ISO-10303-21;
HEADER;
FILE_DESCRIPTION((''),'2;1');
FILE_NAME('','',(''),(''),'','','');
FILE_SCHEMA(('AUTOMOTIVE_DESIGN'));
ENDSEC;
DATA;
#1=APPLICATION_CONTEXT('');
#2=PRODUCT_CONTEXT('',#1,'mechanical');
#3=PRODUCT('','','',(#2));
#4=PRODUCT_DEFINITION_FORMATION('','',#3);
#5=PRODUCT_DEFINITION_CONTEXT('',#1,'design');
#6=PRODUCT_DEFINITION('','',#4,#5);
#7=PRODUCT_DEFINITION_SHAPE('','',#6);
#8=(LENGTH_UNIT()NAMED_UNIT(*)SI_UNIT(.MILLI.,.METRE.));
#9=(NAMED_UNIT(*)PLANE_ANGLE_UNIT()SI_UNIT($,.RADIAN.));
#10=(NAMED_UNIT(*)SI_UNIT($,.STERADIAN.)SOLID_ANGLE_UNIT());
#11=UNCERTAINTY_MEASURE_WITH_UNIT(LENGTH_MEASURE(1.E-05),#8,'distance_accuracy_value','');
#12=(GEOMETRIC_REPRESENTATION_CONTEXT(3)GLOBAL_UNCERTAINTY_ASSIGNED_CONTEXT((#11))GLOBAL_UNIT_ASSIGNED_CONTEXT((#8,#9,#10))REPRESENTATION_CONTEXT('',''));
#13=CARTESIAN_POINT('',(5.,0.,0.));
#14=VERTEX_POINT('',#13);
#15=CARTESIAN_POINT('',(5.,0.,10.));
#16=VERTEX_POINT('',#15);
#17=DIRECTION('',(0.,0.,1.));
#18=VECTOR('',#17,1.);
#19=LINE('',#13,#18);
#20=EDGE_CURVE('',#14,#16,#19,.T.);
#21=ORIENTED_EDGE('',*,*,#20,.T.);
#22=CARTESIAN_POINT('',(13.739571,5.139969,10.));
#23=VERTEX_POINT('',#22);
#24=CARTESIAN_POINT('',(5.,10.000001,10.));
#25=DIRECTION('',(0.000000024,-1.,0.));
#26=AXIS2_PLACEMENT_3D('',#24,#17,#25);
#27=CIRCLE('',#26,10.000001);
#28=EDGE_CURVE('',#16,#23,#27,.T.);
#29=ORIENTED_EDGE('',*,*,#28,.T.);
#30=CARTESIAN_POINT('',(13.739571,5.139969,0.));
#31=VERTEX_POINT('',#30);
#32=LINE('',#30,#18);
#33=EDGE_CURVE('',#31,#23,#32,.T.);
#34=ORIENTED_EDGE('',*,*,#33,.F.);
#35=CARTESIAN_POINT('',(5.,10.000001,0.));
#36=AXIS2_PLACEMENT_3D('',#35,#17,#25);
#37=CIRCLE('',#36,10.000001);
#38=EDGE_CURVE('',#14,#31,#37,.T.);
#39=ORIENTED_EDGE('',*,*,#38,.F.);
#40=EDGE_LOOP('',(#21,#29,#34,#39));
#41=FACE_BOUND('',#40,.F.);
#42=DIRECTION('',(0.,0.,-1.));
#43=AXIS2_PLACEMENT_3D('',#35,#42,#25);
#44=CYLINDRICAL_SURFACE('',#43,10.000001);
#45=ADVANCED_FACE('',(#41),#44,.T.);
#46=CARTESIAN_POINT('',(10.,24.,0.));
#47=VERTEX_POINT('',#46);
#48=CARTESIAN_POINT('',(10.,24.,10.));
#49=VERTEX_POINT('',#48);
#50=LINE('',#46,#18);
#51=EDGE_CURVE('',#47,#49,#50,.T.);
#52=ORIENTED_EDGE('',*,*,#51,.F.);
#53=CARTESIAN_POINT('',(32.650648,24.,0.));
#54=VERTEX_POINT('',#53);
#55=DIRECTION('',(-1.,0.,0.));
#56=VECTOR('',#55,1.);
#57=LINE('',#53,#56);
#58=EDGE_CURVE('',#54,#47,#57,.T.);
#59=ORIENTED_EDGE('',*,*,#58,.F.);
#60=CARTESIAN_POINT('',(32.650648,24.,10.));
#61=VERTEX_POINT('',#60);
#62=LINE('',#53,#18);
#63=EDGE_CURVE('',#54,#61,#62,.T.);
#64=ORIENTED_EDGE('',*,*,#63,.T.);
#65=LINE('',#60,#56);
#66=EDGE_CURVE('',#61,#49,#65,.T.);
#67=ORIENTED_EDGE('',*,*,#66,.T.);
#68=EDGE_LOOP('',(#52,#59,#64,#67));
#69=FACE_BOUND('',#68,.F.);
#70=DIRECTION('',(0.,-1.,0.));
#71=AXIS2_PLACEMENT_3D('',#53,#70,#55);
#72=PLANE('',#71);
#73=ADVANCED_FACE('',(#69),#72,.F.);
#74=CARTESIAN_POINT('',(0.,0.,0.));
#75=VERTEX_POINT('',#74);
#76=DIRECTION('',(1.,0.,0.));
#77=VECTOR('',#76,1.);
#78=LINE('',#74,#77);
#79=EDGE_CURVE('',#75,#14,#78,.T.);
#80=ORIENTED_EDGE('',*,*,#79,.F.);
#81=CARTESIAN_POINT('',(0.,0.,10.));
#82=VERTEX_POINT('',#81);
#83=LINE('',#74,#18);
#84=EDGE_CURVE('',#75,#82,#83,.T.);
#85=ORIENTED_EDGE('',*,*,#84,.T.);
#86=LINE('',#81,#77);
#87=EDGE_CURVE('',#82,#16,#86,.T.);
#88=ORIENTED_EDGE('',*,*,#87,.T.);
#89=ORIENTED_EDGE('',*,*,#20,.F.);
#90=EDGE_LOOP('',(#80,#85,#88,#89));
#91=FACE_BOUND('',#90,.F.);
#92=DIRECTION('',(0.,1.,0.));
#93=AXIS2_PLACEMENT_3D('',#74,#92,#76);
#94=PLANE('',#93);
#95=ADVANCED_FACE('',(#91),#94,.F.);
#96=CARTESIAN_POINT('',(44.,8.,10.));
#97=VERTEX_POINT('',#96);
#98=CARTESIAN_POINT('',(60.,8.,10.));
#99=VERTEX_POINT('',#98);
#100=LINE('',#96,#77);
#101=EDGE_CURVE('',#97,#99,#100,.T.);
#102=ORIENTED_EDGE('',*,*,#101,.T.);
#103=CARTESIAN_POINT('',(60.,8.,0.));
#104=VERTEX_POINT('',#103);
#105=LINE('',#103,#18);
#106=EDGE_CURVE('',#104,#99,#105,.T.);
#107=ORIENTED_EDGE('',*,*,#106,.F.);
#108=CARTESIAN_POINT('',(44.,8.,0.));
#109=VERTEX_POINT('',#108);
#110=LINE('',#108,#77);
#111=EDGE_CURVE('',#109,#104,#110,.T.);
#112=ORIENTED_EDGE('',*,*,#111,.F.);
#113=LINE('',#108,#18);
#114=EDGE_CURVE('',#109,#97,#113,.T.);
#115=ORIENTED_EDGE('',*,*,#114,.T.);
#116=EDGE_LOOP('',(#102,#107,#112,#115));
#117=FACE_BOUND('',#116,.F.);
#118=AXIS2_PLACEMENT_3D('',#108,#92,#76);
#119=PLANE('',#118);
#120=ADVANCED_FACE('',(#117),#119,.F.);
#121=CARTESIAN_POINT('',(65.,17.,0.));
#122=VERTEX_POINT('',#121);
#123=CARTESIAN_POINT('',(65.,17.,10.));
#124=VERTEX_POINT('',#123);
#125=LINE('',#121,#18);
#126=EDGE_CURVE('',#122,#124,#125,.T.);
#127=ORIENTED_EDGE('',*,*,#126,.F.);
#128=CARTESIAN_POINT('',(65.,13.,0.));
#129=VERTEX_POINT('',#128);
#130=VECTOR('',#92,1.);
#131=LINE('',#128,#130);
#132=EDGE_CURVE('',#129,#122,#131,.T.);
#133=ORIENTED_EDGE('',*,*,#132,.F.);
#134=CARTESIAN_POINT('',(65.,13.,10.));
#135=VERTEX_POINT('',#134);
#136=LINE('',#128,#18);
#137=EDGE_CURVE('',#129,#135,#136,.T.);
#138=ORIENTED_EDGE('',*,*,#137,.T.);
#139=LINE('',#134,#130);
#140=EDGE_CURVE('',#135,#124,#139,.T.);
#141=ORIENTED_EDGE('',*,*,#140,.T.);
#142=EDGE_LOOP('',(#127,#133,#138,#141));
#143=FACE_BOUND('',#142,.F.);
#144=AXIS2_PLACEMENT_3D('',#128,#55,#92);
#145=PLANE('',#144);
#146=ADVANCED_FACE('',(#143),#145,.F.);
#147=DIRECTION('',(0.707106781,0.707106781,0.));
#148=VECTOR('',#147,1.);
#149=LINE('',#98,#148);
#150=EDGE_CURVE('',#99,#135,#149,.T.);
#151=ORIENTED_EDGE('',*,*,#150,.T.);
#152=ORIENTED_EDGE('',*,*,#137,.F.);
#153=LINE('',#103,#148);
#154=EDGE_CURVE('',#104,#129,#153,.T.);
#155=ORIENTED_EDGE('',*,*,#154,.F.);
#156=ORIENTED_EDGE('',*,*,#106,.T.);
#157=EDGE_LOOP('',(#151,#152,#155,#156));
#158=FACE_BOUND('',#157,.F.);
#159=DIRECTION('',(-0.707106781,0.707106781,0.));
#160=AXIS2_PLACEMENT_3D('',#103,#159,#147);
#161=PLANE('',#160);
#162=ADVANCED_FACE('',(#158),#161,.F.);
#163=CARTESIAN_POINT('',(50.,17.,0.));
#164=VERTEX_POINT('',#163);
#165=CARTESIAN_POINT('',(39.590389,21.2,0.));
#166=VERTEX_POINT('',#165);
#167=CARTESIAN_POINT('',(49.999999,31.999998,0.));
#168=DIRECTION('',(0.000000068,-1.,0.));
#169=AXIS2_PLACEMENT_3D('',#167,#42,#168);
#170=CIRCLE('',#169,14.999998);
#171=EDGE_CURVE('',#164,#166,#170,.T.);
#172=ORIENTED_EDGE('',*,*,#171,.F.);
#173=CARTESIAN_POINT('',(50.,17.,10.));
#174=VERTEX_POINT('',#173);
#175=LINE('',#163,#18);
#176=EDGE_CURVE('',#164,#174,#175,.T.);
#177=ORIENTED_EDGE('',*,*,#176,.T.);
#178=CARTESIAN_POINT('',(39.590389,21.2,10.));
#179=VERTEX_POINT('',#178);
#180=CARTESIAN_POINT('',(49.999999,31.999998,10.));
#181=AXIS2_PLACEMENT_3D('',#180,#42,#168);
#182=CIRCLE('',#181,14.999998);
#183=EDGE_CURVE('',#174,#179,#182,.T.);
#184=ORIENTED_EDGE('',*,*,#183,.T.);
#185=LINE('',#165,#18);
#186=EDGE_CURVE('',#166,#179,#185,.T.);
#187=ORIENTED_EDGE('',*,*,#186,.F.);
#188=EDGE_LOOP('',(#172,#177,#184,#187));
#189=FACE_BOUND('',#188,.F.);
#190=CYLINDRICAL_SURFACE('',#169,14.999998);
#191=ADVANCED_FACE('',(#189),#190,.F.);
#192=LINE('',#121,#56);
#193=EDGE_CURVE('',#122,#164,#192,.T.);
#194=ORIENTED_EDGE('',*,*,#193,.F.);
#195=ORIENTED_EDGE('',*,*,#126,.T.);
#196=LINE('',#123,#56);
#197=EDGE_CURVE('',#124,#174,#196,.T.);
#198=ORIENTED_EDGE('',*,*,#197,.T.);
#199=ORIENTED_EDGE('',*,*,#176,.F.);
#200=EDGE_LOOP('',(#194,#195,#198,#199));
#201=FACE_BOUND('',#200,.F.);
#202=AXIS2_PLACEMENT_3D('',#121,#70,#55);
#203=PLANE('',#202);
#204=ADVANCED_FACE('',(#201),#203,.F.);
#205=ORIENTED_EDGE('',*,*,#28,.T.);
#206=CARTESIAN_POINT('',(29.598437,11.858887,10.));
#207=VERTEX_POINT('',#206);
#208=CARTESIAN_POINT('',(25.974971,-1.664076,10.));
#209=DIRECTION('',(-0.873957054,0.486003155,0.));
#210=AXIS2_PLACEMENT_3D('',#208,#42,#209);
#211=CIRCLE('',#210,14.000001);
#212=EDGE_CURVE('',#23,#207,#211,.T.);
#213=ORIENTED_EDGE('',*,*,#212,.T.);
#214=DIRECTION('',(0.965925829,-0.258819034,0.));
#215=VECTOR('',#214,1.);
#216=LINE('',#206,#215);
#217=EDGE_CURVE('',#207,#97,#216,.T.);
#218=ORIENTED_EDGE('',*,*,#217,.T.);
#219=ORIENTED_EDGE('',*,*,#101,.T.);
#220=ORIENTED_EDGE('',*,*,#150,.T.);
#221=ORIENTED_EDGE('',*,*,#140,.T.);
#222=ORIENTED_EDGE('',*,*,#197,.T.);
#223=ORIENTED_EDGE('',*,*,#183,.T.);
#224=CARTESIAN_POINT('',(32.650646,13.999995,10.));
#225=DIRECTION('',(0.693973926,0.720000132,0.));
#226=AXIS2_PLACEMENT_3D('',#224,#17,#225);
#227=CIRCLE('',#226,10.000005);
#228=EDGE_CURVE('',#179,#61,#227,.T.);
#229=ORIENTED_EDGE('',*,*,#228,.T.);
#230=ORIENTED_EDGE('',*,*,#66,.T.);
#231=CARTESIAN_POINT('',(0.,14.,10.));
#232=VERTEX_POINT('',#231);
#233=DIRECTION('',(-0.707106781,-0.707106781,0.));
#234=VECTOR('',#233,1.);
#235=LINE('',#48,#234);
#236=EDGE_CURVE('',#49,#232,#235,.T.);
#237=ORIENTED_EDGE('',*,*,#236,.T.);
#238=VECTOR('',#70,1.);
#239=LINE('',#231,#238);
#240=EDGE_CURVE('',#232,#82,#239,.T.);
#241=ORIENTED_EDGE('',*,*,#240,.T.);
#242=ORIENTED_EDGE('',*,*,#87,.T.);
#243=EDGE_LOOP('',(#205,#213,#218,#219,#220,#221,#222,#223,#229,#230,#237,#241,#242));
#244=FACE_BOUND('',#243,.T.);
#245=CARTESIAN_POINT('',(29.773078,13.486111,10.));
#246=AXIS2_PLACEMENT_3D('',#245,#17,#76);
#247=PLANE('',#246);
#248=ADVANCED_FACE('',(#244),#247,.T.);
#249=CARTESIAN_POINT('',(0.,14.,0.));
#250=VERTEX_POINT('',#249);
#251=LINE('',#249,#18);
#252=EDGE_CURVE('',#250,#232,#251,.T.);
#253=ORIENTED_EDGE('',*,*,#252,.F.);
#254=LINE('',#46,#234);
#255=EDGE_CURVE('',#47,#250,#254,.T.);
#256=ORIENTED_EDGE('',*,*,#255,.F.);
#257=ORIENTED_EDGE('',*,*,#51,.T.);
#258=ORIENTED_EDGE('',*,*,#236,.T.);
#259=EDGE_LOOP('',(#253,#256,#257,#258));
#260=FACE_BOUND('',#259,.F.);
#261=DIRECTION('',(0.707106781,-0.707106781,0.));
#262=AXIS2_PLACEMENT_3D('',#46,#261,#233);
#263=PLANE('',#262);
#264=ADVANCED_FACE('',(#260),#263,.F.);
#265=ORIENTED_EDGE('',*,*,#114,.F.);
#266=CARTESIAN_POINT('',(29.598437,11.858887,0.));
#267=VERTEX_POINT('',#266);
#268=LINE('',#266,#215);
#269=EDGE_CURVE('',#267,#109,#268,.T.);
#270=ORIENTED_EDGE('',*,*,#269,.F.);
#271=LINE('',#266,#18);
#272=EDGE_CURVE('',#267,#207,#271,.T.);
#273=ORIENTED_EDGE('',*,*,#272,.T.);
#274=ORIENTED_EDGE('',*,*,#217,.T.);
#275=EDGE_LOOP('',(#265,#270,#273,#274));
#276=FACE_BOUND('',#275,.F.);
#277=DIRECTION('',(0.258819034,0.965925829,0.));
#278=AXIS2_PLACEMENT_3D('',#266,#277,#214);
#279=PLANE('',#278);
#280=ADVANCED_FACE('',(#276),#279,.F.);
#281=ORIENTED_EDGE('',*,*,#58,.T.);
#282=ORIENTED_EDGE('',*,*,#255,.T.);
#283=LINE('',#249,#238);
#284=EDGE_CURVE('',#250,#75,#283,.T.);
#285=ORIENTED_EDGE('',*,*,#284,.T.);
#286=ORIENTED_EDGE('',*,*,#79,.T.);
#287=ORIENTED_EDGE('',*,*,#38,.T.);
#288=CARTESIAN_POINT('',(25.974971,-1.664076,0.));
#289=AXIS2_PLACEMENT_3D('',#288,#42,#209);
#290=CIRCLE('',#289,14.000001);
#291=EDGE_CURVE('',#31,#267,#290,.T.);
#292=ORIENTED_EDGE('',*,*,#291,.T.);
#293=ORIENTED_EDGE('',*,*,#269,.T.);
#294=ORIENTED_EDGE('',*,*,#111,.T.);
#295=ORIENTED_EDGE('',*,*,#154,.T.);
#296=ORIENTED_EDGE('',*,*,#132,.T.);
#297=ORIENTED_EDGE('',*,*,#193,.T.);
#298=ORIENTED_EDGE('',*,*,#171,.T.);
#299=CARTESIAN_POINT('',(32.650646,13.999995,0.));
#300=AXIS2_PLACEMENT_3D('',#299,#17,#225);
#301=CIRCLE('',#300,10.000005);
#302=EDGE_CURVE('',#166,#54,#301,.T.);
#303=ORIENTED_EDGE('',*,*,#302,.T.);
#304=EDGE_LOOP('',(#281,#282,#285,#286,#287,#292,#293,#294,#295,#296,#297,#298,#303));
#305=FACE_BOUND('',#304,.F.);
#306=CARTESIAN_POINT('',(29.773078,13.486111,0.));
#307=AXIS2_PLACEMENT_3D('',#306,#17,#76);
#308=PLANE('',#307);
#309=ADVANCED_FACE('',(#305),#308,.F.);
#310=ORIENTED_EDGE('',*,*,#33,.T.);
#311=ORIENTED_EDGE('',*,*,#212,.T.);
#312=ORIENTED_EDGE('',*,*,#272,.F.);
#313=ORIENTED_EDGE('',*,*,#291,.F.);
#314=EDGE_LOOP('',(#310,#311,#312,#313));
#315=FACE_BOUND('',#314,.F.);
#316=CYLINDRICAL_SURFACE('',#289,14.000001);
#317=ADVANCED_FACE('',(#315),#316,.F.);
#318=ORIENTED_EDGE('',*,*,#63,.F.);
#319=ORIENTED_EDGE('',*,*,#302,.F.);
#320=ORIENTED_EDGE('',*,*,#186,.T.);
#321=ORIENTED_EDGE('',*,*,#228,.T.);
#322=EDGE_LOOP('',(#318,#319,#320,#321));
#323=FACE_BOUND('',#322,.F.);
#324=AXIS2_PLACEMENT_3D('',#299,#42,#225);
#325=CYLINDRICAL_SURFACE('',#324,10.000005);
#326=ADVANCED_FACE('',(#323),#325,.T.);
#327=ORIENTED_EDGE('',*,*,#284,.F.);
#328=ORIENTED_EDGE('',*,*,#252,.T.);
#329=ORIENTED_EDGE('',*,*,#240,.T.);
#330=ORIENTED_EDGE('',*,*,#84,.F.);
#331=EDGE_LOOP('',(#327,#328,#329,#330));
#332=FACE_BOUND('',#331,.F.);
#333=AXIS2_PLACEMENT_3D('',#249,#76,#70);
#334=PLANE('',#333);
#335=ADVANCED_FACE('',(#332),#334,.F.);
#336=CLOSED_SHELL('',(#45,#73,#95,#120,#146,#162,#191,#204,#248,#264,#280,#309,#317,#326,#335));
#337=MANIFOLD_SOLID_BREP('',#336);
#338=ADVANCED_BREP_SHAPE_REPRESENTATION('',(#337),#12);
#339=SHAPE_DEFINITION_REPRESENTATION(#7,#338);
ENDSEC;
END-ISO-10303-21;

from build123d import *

# Parameters (mm, degrees)
F1_DEPTH = 10


with BuildPart() as f1:
    # F0 (on Top) → F1 (new body)
    with BuildSketch(Plane.XY):
        with BuildLine():
            Line((0, 14), (0, 0))
            Line((0, 0), (5, 0))
            ThreePointArc((5, 0), (10.069501, 1.380246), (13.739571, 5.139969))
            ThreePointArc((13.739571, 5.139969), (20.513532, 11.226724), (29.598437, 11.858887))
            Line((29.598437, 11.858887), (44, 8))
            Line((44, 8), (60, 8))
            Line((60, 8), (65, 13))
            Line((65, 13), (65, 17))
            Line((65, 17), (50, 17))
            ThreePointArc((50, 17), (44.387514, 18.089572), (39.590389, 21.2))
            ThreePointArc((39.590389, 21.2), (36.392306, 23.273618), (32.650648, 24))
            Line((32.650648, 24), (10, 24))
            Line((10, 24), (0, 14))
        make_face()
    extrude(amount=F1_DEPTH)


solid = f1.part
